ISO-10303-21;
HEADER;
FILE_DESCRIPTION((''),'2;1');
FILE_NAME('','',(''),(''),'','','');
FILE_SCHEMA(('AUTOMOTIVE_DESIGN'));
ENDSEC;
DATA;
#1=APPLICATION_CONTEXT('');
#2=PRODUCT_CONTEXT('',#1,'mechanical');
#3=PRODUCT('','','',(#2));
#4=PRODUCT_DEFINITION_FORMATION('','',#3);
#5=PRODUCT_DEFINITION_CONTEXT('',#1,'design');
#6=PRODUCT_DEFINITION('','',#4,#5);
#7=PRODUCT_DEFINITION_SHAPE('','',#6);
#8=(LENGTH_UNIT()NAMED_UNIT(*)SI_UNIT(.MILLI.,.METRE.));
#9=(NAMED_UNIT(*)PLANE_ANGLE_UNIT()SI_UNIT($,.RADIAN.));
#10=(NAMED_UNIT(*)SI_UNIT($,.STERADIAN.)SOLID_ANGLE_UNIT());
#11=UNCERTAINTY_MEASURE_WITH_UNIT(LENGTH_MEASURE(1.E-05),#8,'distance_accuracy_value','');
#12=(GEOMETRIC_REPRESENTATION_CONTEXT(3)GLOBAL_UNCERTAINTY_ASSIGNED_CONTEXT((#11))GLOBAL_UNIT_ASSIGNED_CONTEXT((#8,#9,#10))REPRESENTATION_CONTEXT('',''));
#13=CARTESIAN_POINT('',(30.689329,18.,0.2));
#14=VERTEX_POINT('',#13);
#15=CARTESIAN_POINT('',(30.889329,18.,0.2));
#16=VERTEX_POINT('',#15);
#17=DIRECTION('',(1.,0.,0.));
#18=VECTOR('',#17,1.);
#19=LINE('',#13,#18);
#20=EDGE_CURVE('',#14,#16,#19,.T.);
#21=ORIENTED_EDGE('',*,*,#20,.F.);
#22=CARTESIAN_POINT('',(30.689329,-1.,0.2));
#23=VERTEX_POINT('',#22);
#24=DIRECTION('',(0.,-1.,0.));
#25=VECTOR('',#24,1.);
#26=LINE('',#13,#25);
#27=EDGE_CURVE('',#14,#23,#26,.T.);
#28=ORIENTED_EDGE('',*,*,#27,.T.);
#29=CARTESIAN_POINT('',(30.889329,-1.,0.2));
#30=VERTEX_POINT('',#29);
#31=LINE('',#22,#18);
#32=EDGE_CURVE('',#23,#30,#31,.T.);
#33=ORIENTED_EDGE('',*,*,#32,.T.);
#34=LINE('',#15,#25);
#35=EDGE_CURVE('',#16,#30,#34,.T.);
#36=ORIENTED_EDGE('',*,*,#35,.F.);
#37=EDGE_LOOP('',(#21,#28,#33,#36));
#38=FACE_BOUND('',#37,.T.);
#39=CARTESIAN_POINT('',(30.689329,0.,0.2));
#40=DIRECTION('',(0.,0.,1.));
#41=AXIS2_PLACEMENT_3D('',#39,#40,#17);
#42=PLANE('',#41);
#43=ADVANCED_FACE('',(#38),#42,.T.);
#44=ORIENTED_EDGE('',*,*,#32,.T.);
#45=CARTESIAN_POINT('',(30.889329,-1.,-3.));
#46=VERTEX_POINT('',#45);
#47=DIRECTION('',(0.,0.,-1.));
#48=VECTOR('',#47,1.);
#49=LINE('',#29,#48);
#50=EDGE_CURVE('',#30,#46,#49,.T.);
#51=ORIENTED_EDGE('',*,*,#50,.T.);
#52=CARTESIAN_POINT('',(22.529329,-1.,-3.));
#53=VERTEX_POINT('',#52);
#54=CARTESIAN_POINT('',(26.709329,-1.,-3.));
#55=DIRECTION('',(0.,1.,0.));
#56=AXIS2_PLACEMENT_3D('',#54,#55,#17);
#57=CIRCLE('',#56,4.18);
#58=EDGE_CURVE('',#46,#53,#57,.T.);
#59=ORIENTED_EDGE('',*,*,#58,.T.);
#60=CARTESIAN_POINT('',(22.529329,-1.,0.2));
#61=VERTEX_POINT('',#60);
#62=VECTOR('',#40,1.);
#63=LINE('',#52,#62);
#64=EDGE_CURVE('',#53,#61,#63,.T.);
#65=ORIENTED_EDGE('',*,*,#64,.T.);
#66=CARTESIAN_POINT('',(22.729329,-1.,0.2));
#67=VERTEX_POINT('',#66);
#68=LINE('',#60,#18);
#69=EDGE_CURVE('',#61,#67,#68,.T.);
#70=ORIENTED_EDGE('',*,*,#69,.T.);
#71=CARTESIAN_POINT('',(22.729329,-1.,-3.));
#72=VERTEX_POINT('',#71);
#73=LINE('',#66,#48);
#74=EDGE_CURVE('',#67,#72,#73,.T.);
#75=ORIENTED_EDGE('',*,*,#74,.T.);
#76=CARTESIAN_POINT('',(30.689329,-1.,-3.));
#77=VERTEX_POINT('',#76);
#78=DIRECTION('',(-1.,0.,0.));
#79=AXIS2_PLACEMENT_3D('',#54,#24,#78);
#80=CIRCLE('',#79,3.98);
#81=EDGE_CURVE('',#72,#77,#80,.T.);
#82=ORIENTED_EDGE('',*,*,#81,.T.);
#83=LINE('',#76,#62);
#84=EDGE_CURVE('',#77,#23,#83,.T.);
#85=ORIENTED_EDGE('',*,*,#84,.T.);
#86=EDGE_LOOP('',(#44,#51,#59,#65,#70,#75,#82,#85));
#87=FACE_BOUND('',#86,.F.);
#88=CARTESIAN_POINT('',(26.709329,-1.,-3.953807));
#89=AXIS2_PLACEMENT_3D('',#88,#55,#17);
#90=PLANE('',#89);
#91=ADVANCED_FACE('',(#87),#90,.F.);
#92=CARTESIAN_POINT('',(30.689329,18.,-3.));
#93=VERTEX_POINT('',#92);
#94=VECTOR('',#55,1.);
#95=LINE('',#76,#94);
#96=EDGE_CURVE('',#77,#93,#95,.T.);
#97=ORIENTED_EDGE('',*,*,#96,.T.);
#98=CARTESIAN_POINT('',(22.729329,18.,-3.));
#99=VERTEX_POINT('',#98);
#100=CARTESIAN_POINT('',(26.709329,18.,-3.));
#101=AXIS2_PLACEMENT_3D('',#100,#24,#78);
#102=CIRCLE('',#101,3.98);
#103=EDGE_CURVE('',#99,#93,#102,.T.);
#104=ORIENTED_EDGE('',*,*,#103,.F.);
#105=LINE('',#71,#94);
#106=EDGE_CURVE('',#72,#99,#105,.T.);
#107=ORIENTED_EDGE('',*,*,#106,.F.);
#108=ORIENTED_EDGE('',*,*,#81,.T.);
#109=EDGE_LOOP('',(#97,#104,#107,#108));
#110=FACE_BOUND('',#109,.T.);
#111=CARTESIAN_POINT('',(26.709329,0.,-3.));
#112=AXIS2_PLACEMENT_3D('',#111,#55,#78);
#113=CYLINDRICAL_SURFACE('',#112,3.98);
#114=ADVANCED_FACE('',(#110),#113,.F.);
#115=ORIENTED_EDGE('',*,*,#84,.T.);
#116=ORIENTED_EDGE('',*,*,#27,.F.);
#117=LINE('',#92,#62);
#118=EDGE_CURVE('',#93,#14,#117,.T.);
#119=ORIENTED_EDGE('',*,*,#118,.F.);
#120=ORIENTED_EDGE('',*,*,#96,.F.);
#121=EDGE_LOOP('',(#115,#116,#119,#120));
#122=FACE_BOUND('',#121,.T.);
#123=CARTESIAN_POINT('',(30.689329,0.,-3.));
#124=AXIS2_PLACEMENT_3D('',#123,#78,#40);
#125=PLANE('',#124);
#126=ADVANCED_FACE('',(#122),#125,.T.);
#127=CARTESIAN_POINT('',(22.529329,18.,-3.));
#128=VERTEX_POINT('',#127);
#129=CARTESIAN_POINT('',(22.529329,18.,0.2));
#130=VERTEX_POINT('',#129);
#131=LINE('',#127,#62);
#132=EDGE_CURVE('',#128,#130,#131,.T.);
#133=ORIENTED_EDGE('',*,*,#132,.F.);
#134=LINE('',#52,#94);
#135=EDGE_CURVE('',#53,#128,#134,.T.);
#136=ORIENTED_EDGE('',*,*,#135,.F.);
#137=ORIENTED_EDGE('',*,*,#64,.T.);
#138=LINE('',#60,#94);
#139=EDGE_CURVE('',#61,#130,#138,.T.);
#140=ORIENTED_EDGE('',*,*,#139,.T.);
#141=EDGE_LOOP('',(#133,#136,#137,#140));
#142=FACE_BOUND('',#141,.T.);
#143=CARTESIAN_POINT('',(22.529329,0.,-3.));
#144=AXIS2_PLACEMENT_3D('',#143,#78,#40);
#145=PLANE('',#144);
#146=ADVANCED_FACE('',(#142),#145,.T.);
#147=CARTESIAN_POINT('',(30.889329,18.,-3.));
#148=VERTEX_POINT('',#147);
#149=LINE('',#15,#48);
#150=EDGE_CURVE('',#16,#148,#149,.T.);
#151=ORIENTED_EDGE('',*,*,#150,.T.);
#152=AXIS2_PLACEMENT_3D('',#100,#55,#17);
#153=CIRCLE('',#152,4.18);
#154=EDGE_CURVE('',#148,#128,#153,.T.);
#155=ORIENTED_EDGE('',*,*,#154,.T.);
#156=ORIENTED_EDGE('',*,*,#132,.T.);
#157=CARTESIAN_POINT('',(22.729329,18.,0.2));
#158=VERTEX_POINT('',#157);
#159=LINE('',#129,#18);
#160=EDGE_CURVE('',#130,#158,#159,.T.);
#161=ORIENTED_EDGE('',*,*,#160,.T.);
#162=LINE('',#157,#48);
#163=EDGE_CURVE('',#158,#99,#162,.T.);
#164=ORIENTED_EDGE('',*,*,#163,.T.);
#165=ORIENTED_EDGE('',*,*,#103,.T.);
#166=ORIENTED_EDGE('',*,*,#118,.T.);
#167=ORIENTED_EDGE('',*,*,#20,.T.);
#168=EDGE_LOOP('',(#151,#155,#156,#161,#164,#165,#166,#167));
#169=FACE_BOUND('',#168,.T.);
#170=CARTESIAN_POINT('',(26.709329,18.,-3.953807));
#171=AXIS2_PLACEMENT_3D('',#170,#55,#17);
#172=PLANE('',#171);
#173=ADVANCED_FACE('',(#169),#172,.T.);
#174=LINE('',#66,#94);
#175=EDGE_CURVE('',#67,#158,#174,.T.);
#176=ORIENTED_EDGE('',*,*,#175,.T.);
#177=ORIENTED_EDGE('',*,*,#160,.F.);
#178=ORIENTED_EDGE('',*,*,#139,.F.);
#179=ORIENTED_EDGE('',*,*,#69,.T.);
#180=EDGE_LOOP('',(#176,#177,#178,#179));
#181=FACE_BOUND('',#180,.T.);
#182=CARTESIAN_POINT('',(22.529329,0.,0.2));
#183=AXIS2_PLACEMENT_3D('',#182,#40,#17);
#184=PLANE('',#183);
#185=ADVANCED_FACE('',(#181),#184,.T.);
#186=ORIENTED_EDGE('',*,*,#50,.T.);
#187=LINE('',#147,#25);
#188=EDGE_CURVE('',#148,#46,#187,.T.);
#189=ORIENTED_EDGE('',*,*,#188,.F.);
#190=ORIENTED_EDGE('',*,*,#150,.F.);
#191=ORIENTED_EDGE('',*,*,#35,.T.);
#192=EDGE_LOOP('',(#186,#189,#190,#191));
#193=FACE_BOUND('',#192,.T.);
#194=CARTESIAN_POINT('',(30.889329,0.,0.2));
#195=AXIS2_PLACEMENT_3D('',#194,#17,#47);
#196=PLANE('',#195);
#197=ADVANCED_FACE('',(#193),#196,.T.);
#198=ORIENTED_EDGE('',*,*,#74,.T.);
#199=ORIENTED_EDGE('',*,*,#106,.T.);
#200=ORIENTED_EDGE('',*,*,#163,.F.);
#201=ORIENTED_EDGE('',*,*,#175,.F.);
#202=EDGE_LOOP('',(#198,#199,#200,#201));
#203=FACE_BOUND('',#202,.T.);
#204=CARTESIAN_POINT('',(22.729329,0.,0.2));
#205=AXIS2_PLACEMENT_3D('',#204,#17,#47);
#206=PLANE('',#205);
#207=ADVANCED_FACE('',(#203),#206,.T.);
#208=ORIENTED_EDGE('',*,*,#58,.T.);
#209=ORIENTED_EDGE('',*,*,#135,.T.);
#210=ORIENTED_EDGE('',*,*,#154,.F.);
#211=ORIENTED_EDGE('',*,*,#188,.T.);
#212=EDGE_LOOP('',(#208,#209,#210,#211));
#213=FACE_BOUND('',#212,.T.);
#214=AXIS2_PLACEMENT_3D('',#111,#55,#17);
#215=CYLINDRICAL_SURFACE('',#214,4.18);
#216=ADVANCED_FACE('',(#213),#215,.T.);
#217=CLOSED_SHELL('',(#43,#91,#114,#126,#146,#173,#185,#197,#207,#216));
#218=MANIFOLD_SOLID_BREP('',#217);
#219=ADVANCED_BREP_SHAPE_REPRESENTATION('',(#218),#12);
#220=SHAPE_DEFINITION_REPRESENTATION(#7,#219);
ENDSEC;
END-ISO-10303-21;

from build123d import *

# Parameters (mm, degrees)
BOSS_EXTRUDE1_DEPTH = 18
BOSS_EXTRUDE2_START = -1
BOSS_EXTRUDE2_DEPTH = 1


with BuildPart() as part:
    # Sketch1 → Boss-Extrude1 (new body)
    with BuildSketch(Plane(origin=(0, 0, 0), x_dir=(1, 0, 0), z_dir=(0, 1, 0))):
        with BuildLine():
            ThreePointArc((30.88932948, 3), (26.70932948, 7.18), (22.52932948, 3))
            Line((22.52932948, 3), (22.52932948, 0))
            Line((22.52932948, 0), (22.52932948, -0.2))
            Line((22.52932948, -0.2), (22.72932948, -0.2))
            Line((22.72932948, -0.2), (22.72932948, 0))
            Line((22.72932948, 0), (22.72932948, 3))
            ThreePointArc((22.72932948, 3), (26.70932948, 6.98), (30.68932948, 3))
            Line((30.68932948, 3), (30.68932948, 0))
            Line((30.68932948, 0), (30.68932948, -0.2))
            Line((30.68932948, -0.2), (30.88932948, -0.2))
            Line((30.88932948, -0.2), (30.88932948, 0))
            Line((30.88932948, 0), (30.88932948, 3))
        make_face()
    extrude(amount=BOSS_EXTRUDE1_DEPTH)

    # Sketch1<4> → Boss-Extrude2 (add)
    with BuildSketch(Plane(origin=(0, 0, 0), x_dir=(1, 0, 0), z_dir=(0, 1, 0)).offset(BOSS_EXTRUDE2_START)):
        with BuildLine():
            ThreePointArc((30.88932948, 3), (26.70932948, 7.18), (22.52932948, 3))
            Line((22.52932948, 3), (22.52932948, 0))
            Line((22.52932948, 0), (22.52932948, -0.2))
            Line((22.52932948, -0.2), (22.72932948, -0.2))
            Line((22.72932948, -0.2), (22.72932948, 0))
            Line((22.72932948, 0), (22.72932948, 3))
            ThreePointArc((22.72932948, 3), (26.70932948, 6.98), (30.68932948, 3))
            Line((30.68932948, 3), (30.68932948, 0))
            Line((30.68932948, 0), (30.68932948, -0.2))
            Line((30.68932948, -0.2), (30.88932948, -0.2))
            Line((30.88932948, -0.2), (30.88932948, 0))
            Line((30.88932948, 0), (30.88932948, 3))
        make_face()
    extrude(amount=BOSS_EXTRUDE2_DEPTH)


solid = part.part
